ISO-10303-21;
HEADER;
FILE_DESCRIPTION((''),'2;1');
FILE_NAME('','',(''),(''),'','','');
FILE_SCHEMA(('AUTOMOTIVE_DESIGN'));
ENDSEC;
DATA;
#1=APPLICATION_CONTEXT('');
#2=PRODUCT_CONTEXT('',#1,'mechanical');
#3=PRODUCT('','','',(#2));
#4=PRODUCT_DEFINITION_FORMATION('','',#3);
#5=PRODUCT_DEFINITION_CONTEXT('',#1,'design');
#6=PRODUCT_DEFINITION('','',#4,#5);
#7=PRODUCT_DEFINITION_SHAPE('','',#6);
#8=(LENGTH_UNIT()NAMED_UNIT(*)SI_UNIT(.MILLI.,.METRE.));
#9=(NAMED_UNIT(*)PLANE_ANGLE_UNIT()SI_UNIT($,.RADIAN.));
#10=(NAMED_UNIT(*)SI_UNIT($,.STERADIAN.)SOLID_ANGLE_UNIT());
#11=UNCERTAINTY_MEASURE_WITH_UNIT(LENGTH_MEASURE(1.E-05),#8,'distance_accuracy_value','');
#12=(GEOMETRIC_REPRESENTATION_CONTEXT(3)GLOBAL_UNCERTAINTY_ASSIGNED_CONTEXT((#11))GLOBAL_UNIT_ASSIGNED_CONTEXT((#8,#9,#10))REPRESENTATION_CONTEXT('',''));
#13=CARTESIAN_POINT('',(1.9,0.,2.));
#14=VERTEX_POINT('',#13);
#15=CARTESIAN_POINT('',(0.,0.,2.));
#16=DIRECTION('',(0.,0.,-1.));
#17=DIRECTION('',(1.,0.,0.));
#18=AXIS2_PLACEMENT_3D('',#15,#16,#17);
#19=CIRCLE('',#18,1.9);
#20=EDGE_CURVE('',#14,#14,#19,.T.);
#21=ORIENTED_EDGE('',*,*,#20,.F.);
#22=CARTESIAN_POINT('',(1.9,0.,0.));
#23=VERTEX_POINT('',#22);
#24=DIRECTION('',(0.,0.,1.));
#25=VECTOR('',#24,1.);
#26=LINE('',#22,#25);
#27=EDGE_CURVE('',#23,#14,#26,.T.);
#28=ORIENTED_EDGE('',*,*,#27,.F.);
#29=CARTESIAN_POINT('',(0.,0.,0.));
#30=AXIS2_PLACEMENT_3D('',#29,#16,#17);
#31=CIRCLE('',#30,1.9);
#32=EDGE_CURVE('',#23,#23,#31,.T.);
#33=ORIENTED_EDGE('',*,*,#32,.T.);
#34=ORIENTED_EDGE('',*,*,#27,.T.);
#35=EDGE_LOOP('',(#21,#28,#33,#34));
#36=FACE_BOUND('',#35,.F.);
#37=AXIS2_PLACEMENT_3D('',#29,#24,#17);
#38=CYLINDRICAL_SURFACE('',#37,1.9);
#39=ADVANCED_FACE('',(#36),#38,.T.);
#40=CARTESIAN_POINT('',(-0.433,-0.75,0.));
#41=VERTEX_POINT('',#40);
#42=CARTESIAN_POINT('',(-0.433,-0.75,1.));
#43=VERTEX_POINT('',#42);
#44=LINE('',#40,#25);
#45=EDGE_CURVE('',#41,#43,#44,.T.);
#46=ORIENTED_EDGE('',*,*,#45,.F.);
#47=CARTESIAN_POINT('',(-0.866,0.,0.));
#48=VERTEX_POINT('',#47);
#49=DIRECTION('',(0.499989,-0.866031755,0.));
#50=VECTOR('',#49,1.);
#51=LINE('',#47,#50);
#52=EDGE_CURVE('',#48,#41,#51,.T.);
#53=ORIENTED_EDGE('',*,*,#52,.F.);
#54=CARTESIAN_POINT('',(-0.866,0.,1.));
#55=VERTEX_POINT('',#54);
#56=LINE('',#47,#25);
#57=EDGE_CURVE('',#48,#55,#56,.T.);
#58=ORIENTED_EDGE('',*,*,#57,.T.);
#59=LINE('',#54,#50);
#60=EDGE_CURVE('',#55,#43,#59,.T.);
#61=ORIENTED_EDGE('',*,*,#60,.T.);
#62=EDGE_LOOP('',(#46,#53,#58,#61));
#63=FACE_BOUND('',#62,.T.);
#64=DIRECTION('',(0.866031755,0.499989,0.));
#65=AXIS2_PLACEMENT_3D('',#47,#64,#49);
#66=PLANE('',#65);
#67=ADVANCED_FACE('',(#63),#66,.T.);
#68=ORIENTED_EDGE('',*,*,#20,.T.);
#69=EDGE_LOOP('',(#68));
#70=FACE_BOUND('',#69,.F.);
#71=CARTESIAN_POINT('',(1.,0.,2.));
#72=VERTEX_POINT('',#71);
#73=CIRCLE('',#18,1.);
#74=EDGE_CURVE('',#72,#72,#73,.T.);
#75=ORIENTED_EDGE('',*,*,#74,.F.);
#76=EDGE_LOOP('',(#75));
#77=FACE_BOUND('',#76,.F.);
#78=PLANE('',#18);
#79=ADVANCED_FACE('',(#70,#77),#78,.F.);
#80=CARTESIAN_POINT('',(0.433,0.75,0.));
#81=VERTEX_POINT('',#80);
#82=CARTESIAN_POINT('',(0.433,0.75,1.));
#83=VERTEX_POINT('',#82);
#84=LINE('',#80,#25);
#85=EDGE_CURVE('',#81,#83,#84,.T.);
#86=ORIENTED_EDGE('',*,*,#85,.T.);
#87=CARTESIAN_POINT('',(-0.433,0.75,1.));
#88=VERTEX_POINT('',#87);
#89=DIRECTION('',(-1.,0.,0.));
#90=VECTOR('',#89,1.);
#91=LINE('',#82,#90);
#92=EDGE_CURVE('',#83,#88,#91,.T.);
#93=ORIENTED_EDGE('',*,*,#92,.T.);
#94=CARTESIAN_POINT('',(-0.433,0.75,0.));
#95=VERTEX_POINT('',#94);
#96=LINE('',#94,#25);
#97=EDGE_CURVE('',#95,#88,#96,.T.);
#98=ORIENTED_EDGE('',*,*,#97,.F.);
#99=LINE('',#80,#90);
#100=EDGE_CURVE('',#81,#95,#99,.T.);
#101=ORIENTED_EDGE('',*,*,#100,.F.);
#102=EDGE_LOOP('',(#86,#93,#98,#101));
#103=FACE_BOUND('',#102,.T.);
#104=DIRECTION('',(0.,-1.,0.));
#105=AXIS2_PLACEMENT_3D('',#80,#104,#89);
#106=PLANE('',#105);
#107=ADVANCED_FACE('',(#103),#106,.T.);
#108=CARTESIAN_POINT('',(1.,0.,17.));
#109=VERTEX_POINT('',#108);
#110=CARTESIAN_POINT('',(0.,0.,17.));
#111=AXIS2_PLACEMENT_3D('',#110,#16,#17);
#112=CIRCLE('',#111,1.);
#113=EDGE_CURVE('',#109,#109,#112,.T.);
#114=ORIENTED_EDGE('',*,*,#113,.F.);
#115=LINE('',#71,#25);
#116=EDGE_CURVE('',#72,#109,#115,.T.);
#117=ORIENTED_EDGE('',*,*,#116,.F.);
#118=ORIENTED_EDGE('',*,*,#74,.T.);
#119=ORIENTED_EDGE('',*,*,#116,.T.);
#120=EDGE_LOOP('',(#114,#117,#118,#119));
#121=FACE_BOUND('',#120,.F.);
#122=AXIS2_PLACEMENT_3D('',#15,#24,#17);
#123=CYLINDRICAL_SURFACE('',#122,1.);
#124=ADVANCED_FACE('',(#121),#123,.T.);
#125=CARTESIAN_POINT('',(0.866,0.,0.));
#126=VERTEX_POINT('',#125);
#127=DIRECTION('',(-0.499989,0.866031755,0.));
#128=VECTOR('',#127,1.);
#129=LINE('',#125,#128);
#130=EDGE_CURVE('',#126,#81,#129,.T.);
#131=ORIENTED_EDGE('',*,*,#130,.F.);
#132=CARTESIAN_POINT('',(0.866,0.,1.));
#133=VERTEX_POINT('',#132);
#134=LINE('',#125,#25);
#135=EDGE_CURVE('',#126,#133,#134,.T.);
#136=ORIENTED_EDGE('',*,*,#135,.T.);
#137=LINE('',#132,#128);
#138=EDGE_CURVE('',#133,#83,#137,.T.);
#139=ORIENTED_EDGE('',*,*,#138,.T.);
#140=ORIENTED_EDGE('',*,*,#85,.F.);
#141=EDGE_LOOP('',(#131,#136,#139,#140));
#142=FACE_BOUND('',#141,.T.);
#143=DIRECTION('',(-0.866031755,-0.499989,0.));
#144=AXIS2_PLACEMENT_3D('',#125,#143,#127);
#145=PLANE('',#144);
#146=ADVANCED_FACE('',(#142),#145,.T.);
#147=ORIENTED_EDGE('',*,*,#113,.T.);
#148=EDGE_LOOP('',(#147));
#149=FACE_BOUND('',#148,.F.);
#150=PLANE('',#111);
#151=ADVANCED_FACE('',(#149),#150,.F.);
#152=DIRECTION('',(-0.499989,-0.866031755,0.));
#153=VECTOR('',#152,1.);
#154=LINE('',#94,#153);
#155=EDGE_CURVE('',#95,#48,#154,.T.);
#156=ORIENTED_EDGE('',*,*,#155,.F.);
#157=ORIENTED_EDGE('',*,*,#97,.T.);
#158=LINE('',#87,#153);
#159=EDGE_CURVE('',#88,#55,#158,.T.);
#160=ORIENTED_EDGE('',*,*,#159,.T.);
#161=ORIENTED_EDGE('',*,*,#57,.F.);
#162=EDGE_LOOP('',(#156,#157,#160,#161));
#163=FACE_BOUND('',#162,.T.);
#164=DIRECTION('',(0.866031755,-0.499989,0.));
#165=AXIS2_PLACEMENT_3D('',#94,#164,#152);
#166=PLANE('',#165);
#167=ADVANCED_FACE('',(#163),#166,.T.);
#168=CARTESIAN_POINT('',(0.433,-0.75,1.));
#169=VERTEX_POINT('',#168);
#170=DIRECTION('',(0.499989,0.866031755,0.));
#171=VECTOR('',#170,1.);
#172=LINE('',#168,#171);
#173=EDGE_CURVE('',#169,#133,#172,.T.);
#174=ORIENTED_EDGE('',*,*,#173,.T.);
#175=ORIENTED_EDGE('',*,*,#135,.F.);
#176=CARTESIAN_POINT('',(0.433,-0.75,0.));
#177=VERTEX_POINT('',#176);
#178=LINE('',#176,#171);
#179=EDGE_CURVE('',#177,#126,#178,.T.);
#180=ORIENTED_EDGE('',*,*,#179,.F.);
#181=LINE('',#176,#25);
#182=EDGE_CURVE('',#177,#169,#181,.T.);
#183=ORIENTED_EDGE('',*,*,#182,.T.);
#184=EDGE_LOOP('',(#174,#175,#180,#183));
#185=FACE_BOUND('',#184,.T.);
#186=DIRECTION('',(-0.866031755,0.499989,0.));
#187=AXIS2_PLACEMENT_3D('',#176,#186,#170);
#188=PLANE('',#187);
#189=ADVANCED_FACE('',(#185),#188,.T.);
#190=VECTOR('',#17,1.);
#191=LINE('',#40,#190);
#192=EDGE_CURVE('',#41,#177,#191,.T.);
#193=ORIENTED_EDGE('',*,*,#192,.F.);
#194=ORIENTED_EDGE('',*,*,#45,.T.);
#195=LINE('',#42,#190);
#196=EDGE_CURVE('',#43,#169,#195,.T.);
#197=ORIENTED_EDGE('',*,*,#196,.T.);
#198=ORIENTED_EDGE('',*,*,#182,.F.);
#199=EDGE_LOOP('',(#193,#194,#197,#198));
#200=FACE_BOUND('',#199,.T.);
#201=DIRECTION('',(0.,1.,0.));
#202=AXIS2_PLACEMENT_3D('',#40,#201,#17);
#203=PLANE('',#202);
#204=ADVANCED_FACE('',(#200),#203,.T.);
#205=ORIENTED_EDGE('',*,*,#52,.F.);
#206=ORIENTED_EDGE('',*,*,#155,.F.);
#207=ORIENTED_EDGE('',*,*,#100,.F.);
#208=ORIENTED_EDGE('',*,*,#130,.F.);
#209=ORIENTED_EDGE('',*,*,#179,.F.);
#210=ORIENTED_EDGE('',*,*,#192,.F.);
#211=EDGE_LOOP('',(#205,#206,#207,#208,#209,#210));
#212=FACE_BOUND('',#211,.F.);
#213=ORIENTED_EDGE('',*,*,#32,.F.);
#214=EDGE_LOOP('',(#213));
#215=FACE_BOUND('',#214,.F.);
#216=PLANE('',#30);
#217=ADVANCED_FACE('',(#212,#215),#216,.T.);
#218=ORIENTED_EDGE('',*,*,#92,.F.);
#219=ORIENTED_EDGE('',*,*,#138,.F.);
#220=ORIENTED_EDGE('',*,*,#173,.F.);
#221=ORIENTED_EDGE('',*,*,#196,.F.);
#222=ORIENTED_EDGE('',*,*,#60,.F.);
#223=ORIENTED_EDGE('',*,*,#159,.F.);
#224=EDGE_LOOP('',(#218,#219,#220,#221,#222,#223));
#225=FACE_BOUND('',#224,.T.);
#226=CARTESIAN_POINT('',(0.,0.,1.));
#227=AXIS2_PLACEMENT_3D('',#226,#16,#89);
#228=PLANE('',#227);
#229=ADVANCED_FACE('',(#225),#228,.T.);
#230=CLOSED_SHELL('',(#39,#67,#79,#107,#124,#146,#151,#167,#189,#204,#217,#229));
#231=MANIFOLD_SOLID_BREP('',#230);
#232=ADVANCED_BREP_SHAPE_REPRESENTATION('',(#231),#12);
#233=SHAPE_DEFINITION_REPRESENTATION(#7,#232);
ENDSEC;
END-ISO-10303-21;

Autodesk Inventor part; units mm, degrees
ref_plane "YZ Plane" through (0, 0, 0) normal (1, 0, 0) x (0, 1, 0)
ref_plane "XZ Plane" through (0, 0, 0) normal (0, 1, 0) x (-1, 0, 0)
ref_plane "XY Plane" through (0, 0, 0) normal (0, 0, 1) x (1, 0, 0)
sketch "Sketch1" plane through (0, 0, 0) normal (0, 1, 0) x (-1, 0, 0)
  line L0 (0, 0) -> (-1.9, 0)
  line L1 (-1.9, 0) -> (-1.9, 2)
  line L2 (-1.9, 2) -> (-1, 2)
  line L3 (-1, 2) -> (-1, 17)
  line L4 (-1, 17) -> (0, 17)
  line L5 (0, 17) -> (0, 0)
  dimension "ScrewLength" = 15
  dimension "Diameter" = 3.8
  dimension "Metric" = 2
  dimension "HeadLength" = 2
revolve "Revolution1" add sketch "Sketch1" angle 360 about axis through (0, 0, 17) along (0, 0, -1)
thread "Thread1" size "M2x0.4" class "6g" standard "ANSI Metric M Profile" full length
sketch "Sketch2" plane through (0, 0, 0) normal (0, 0, -1) x (-1, 0, 0)
  line L0 (0.433, 0.75) -> (0.866, 0)
  line L1 (0.866, 0) -> (0.433, -0.75)
  line L2 (0.433, -0.75) -> (-0.433, -0.75)
  line L3 (-0.433, -0.75) -> (-0.866, 0)
  line L4 (-0.866, 0) -> (-0.433, 0.75)
  line L5 (-0.433, 0.75) -> (0.433, 0.75)
  point P0 (0, 0)
  point P1 (0, 0)
  dimension "WidthAcrossFlat" = 1.5
extrude "Extrusion1" cut sketch "Sketch2" against normal blind 1
properties part number "FC-0215EB" material "Steel"
